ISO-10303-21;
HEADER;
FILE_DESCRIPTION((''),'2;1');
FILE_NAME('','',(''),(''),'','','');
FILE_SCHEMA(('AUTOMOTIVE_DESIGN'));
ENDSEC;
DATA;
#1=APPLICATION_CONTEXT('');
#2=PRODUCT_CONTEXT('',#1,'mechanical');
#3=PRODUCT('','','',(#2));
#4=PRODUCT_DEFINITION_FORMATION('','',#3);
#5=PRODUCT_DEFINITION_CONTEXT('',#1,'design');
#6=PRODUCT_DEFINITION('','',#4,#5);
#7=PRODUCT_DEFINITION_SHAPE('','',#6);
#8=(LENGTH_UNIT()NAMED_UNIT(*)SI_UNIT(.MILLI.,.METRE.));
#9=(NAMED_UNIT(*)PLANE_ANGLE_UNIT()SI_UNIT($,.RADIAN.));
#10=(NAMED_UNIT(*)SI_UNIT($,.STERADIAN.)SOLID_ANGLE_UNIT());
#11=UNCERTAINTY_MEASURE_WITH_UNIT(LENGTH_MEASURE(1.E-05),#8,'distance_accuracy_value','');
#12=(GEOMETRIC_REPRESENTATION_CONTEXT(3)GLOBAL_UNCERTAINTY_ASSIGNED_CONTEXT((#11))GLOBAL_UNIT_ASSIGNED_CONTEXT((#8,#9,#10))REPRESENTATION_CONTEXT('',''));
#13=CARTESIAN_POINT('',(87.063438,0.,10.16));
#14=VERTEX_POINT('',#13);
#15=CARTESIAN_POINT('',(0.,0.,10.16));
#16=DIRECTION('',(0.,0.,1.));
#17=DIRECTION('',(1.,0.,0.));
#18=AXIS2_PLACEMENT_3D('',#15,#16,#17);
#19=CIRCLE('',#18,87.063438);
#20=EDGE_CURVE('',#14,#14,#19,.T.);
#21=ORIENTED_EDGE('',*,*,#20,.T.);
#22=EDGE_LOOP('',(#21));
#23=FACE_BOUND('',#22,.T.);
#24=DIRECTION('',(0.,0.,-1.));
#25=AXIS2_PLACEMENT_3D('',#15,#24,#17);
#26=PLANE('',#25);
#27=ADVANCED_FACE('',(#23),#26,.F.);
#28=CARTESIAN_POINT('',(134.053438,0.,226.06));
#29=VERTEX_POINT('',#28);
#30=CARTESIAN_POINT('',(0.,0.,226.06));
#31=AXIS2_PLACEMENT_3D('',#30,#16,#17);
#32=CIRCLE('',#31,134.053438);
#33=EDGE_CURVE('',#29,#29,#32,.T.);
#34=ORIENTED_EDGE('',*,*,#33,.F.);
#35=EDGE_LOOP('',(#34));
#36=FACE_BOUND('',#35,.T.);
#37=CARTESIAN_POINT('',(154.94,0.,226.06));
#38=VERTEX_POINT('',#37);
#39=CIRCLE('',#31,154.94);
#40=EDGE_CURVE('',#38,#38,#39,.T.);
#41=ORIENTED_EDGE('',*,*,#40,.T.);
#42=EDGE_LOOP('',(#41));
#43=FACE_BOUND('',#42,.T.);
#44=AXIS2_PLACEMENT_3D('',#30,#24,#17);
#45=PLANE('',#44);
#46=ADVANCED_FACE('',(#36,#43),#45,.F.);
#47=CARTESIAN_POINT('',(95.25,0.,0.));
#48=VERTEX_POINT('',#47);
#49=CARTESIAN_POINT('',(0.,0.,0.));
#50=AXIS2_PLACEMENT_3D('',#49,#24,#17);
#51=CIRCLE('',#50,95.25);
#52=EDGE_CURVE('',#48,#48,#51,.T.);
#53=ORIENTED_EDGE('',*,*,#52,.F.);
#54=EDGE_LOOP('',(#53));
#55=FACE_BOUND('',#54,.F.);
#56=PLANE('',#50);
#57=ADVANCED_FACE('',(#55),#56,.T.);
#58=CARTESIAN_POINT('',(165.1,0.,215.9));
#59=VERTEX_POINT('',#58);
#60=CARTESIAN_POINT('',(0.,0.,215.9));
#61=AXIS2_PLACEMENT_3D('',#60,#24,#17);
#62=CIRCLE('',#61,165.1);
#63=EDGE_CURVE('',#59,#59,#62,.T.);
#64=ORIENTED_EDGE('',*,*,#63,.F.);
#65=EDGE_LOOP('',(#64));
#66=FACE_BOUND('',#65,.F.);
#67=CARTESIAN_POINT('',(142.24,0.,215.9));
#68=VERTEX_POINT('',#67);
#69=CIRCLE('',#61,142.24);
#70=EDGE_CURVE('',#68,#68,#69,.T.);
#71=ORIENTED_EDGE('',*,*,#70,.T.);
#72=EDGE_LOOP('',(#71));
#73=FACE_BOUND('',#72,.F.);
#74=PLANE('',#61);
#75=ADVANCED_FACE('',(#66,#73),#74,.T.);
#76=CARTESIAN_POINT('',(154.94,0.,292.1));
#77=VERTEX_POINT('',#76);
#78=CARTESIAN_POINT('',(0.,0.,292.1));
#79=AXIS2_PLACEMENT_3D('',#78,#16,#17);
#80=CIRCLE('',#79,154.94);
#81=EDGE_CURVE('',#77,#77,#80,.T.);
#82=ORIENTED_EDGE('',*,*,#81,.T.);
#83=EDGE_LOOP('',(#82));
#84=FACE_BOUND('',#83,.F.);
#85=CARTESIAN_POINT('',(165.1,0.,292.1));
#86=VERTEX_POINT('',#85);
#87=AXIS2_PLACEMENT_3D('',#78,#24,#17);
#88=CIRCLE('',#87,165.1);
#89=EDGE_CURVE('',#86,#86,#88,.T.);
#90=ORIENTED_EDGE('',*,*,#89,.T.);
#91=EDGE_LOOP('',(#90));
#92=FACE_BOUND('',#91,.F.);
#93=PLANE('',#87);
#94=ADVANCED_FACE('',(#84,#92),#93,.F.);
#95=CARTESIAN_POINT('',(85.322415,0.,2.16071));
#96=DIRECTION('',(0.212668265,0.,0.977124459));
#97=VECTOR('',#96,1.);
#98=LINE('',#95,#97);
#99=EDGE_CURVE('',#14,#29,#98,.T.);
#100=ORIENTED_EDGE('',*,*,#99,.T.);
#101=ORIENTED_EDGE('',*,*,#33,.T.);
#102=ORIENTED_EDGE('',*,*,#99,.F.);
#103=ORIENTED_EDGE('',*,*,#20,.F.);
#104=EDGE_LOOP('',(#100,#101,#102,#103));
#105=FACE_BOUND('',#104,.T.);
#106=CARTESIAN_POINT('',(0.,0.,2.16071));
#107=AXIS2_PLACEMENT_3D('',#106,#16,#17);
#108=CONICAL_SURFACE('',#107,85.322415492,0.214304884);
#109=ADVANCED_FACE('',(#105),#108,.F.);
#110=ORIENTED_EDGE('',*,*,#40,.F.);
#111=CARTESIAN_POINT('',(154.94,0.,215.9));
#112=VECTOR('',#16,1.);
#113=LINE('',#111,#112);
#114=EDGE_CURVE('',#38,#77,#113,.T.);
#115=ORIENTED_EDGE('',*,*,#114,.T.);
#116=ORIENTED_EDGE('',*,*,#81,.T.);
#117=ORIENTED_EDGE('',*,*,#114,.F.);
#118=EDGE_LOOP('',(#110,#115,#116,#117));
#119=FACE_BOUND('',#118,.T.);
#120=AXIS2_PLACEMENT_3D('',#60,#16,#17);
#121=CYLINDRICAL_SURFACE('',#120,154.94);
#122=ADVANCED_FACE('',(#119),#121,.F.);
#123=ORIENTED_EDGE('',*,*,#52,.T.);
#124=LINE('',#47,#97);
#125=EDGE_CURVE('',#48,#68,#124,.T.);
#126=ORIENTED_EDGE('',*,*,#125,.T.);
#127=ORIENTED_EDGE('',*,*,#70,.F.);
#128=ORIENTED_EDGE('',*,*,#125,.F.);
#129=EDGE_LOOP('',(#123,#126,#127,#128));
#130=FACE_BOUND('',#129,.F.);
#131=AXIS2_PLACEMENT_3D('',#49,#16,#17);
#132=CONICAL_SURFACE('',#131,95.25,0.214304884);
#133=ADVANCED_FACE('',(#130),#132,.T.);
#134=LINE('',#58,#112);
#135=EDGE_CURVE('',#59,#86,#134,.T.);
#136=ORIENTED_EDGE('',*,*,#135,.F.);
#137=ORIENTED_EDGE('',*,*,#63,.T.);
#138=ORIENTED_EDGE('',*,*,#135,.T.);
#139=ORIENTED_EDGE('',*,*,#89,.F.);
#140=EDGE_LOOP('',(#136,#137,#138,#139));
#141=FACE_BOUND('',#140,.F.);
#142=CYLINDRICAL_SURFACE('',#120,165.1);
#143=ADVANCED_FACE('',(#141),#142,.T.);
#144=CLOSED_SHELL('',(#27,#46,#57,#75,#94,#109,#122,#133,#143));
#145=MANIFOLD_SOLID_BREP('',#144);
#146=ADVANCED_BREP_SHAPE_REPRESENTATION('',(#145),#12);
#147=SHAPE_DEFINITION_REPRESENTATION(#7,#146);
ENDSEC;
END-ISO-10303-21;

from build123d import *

# Parameters (mm, degrees)
F2_T = -10.16


with BuildPart() as f1:
    # F0 (on Front) → F1 (revolve)
    with BuildSketch(Plane.XZ):
        Polygon((0, 292.1), (0, 0), (95.25, 0), (142.24, 215.9), (165.1, 215.9), (165.1, 292.1), align=None)
    revolve(axis=Axis((0, 0, 146.05), (0, 0, -1)))

    # F2
    f2_openings = [f1.faces().sort_by_distance(p)[0] for p in [
        (0, 0, 292.1),
    ]]
    offset(amount=F2_T, openings=f2_openings, kind=Kind.INTERSECTION)


solid = f1.part
